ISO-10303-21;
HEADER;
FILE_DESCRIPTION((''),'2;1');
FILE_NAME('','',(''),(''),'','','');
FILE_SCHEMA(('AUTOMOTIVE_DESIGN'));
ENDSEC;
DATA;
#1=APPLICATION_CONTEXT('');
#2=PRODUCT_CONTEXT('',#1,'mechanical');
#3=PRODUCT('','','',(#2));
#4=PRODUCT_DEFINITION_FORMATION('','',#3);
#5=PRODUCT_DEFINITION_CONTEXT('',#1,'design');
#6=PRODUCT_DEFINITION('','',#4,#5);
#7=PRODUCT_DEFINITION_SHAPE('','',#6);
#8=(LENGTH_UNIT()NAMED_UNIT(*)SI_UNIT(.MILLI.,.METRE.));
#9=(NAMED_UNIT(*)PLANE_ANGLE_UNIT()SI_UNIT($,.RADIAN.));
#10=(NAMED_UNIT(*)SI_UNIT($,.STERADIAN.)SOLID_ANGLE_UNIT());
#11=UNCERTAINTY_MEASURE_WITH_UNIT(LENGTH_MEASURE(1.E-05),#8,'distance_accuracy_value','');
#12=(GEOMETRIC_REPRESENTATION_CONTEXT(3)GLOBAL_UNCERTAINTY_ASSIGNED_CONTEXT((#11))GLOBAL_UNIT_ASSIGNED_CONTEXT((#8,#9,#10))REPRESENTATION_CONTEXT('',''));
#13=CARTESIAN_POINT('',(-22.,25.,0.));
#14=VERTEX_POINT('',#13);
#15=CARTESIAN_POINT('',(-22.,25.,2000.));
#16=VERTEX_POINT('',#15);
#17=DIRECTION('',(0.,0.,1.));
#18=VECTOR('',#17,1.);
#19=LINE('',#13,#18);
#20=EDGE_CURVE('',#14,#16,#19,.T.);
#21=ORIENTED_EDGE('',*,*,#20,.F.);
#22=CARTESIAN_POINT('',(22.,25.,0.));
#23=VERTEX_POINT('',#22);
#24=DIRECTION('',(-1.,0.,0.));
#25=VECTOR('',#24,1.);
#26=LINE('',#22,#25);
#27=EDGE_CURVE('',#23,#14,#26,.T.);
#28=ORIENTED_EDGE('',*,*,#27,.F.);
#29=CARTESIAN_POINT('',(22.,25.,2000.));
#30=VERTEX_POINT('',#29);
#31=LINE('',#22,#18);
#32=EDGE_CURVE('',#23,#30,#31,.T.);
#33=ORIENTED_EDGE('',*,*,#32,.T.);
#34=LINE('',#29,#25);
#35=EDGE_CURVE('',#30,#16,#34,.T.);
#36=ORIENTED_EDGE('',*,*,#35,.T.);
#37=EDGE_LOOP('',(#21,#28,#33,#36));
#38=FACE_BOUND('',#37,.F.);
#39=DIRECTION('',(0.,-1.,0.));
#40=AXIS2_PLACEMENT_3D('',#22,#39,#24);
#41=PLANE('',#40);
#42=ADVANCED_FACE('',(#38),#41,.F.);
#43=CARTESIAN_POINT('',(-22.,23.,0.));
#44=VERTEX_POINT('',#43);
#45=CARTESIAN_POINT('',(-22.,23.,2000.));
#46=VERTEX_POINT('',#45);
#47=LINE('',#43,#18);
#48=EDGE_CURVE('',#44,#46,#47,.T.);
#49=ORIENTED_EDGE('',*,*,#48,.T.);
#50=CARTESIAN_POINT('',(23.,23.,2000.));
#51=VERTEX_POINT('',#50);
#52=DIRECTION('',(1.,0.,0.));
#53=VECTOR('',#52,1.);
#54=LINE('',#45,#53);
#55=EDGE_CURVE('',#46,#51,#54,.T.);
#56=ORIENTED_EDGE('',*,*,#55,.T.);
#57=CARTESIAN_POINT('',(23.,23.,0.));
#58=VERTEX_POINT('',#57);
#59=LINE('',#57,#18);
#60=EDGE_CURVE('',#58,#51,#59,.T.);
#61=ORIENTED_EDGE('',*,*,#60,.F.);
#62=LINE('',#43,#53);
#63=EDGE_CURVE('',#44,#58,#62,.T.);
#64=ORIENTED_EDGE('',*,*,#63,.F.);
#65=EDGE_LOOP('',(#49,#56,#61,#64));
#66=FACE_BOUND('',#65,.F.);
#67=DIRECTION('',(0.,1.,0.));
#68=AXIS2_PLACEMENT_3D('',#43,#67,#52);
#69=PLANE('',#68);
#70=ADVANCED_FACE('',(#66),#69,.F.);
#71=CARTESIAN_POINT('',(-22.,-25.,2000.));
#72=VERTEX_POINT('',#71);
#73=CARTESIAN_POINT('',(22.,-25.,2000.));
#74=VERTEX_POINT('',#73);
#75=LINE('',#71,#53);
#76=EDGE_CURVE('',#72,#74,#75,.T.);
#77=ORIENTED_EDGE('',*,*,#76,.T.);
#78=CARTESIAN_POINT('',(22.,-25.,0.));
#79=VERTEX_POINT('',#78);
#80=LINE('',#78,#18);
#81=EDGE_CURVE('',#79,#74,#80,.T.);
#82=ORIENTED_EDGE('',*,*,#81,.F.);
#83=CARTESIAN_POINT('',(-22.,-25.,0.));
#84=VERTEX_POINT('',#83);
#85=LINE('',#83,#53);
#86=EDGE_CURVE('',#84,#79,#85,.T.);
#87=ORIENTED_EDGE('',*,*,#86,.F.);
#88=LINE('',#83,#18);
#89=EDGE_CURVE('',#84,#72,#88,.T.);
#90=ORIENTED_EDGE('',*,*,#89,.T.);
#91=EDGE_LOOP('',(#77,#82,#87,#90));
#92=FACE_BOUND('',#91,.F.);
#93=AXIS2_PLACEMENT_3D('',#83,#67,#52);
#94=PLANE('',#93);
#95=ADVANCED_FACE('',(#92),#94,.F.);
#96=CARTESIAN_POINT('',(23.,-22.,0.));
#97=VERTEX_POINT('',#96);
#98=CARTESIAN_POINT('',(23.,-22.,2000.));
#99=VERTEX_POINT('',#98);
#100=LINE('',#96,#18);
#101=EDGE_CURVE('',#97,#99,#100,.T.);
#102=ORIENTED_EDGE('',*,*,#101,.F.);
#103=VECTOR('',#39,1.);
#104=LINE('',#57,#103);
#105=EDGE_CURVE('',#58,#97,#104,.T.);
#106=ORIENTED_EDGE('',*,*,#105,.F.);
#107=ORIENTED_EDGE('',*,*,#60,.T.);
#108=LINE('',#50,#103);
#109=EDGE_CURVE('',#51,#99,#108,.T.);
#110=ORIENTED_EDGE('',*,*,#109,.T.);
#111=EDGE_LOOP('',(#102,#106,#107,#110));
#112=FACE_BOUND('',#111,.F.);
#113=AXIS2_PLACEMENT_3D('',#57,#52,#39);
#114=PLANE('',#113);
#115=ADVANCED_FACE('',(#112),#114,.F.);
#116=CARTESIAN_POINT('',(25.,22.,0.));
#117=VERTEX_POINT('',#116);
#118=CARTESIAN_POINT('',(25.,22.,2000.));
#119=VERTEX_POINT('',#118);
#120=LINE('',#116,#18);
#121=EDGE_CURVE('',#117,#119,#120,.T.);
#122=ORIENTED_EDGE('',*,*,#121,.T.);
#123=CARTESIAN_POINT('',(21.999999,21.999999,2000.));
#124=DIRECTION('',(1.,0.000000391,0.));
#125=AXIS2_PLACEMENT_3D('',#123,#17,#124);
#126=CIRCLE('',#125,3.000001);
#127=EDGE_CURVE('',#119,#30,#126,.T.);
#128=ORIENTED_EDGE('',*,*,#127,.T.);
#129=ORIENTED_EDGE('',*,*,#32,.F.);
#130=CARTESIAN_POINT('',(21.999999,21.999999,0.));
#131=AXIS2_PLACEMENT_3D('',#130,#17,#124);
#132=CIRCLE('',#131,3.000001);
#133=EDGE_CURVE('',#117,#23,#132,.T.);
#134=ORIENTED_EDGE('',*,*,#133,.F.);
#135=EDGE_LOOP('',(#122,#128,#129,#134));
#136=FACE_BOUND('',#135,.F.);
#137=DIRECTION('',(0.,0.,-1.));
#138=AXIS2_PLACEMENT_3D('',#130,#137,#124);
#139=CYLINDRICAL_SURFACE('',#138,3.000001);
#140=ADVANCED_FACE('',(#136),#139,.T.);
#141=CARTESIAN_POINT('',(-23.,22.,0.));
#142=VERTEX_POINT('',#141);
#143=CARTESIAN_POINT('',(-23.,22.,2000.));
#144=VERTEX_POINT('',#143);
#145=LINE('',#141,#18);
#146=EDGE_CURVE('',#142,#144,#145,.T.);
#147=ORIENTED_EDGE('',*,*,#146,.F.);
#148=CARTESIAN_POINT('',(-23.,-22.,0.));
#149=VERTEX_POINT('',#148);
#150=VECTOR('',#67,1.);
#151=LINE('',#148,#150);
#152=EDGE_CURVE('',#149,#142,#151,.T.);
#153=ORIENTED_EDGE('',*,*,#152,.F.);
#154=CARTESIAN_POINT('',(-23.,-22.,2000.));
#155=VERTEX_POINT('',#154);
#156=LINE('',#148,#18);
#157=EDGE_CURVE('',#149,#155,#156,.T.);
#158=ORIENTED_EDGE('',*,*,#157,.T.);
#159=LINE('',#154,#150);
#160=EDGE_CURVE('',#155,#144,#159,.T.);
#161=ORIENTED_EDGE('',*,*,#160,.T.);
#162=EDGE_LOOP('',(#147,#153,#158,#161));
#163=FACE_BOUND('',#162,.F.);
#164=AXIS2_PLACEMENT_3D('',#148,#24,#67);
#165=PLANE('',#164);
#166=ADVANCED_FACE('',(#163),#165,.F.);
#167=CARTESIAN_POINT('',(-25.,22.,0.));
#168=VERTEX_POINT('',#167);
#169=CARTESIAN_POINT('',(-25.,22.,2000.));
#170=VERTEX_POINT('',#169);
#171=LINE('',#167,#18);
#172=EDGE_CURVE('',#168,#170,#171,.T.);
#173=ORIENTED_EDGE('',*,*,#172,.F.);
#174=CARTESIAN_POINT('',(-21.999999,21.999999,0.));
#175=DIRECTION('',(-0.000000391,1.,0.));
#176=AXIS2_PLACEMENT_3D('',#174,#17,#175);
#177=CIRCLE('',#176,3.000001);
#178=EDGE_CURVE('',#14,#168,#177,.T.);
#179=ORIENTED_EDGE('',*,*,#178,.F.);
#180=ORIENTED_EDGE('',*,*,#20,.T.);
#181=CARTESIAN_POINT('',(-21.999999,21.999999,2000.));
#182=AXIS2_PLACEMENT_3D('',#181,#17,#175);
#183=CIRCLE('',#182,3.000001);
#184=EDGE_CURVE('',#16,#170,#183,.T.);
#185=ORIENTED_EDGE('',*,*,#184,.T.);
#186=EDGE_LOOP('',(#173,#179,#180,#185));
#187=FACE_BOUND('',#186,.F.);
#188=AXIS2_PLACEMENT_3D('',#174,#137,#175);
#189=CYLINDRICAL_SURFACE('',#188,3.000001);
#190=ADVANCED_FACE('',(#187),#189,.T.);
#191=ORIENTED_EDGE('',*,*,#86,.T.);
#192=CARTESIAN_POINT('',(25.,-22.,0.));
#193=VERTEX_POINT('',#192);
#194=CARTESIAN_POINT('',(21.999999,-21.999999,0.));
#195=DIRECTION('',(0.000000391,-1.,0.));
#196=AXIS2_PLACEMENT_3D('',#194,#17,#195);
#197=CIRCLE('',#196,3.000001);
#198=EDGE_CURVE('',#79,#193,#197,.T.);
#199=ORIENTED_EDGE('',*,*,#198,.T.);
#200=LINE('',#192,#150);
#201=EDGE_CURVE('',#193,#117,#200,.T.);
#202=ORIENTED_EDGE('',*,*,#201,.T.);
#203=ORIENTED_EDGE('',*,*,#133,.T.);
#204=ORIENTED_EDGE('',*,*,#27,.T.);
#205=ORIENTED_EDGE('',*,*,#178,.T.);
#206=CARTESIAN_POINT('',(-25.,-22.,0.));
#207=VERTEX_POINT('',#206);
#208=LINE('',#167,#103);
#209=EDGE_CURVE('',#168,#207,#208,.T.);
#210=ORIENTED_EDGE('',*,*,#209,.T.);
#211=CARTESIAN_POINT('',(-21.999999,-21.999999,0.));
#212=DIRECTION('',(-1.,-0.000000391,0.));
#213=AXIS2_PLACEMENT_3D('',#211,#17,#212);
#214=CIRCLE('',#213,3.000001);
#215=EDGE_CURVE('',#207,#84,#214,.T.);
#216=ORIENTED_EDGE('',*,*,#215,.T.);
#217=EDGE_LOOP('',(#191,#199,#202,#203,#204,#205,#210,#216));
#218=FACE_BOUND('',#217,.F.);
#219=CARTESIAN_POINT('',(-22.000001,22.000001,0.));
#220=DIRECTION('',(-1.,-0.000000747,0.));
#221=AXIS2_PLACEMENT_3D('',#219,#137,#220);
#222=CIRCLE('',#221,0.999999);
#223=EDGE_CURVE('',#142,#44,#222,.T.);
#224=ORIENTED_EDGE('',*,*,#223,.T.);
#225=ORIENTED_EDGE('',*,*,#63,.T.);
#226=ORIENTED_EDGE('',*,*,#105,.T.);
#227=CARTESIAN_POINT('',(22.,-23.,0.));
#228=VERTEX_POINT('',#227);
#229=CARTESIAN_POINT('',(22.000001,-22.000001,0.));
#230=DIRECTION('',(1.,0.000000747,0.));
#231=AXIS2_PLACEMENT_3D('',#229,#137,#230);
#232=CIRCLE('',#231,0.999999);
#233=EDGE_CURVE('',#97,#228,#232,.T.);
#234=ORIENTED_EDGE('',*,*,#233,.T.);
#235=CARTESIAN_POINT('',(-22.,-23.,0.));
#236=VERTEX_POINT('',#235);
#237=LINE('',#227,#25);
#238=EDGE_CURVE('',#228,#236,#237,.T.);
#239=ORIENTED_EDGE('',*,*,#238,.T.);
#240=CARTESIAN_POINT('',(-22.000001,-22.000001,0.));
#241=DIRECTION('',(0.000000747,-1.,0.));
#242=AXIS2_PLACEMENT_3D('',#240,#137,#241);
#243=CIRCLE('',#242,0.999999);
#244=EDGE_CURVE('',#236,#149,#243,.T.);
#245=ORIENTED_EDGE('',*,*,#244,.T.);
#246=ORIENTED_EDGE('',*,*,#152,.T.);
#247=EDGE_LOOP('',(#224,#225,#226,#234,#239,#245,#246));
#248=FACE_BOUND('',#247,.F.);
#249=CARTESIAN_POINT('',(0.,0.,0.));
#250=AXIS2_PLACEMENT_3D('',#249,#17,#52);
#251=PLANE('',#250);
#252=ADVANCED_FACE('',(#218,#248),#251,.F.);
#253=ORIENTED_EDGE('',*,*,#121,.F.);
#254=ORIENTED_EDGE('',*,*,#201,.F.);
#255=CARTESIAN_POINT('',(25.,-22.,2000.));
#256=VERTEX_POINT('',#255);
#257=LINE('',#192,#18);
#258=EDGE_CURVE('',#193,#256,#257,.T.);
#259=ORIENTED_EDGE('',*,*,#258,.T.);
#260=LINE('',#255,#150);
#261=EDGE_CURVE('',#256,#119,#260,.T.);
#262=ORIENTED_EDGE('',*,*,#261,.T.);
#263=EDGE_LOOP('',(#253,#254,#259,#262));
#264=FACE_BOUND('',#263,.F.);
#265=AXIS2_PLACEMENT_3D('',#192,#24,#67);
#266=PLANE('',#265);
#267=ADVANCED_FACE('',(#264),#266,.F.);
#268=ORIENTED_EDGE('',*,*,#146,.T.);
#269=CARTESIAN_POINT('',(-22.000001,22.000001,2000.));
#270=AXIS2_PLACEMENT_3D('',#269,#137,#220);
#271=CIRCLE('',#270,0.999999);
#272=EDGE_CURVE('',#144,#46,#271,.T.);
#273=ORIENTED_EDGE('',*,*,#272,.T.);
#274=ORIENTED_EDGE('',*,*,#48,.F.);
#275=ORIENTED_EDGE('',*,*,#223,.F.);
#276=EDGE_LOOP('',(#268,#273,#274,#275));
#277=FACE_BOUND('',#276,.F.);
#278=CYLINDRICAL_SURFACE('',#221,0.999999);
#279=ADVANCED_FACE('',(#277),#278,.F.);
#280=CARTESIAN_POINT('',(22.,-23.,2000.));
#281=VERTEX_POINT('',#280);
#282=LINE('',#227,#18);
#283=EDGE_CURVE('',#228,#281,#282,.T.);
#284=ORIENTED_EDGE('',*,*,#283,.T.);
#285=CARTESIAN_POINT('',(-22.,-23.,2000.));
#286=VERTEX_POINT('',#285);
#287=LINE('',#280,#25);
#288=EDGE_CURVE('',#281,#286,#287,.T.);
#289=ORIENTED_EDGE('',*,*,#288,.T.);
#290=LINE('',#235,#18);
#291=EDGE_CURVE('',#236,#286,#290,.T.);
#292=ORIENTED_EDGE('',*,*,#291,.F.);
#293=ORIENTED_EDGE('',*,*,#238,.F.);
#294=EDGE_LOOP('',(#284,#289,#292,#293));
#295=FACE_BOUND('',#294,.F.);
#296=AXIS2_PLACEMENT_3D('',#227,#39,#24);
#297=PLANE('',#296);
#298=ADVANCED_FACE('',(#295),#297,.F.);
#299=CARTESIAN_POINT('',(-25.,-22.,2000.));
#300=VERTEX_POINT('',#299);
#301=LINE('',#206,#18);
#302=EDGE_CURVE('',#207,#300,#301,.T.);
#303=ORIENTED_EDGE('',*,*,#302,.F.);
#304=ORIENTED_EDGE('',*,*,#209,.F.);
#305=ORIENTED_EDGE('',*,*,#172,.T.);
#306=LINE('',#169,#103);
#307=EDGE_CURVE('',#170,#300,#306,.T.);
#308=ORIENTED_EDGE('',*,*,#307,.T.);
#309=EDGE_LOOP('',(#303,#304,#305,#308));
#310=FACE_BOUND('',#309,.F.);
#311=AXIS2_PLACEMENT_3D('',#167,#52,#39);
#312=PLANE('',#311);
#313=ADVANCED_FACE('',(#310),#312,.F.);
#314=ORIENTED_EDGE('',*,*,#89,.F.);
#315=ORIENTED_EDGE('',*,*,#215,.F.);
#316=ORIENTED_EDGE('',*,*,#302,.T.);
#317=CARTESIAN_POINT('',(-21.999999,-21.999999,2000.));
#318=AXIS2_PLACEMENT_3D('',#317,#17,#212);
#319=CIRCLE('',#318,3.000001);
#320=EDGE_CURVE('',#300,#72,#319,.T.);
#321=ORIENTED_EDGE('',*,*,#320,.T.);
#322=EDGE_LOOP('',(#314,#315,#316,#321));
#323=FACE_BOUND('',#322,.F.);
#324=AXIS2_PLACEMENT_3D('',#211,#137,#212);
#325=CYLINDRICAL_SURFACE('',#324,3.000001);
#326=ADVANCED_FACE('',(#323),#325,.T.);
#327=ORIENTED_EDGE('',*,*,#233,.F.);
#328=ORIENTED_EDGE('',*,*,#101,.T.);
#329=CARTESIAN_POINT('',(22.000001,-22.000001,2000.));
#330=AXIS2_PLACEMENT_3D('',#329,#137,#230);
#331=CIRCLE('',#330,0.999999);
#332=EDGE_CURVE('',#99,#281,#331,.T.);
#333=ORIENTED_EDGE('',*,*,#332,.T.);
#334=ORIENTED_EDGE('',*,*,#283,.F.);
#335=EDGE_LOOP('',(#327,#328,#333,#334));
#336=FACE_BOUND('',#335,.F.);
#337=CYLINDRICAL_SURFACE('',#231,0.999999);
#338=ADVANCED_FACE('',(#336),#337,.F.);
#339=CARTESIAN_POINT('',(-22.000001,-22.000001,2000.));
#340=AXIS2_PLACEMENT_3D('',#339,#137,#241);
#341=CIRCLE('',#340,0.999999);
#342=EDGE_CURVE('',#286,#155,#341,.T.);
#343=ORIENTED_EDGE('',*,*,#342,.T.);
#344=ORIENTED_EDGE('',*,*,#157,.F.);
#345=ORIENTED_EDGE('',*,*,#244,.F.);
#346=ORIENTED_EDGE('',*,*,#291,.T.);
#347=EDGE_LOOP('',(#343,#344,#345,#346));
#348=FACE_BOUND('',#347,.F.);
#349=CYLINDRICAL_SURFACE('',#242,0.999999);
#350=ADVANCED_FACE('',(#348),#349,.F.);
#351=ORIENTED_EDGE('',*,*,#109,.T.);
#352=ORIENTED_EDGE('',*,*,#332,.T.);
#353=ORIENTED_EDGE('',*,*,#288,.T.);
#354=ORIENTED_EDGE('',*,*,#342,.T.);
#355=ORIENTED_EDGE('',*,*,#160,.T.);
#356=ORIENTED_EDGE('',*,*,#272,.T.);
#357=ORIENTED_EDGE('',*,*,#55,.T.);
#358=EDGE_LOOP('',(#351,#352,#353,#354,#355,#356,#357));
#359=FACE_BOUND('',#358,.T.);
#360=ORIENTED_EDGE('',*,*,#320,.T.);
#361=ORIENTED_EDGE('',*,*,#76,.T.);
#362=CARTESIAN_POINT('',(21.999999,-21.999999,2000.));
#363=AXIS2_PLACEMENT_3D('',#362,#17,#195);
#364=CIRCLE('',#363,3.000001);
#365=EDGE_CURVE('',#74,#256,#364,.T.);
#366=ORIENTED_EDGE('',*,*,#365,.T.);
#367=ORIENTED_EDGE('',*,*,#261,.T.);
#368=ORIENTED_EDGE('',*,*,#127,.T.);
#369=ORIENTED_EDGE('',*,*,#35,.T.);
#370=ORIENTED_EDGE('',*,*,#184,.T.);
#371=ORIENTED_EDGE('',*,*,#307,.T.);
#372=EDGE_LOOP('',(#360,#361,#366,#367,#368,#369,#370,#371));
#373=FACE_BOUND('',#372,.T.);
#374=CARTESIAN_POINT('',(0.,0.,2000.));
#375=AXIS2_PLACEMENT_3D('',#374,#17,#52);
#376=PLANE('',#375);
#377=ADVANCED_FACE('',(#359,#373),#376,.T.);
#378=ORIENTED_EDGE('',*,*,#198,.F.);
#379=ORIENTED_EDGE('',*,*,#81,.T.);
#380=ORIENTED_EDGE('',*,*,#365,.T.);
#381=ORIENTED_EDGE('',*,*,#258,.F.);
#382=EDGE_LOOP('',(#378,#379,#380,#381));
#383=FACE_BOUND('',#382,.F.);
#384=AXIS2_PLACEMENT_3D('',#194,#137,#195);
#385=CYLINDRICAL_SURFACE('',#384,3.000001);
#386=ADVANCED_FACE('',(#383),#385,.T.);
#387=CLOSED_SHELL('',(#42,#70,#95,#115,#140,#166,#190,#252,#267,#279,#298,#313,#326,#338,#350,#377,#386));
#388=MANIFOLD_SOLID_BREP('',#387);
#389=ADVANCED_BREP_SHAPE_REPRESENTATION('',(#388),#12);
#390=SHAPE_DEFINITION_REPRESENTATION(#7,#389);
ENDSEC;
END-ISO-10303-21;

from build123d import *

# Parameters (mm, degrees)
F1_DEPTH = 2000


with BuildPart() as f1:
    # F0 (on Top) → F1 (new body)
    with BuildSketch(Plane.XY):
        with BuildLine():
            ThreePointArc((25, 22), (24.12132, 24.12132), (22, 25))
            Line((22, 25), (-22, 25))
            ThreePointArc((-22, 25), (-24.12132, 24.12132), (-25, 22))
            Line((-25, 22), (-25, -22))
            ThreePointArc((-25, -22), (-24.12132, -24.12132), (-22, -25))
            Line((-22, -25), (22, -25))
            ThreePointArc((22, -25), (24.12132, -24.12132), (25, -22))
            Line((25, -22), (25, 22))
        make_face()
        with BuildLine():
            ThreePointArc((23, -22), (22.707107, -22.707107), (22, -23))
            Line((22, -23), (-22, -23))
            ThreePointArc((-22, -23), (-22.707107, -22.707107), (-23, -22))
            Line((-23, -22), (-23, 22))
            ThreePointArc((-23, 22), (-22.707107, 22.707107), (-22, 23))
            Line((-22, 23), (23, 23))
            Line((23, 23), (23, -22))
        make_face(mode=Mode.SUBTRACT)
    extrude(amount=F1_DEPTH)


solid = f1.part
